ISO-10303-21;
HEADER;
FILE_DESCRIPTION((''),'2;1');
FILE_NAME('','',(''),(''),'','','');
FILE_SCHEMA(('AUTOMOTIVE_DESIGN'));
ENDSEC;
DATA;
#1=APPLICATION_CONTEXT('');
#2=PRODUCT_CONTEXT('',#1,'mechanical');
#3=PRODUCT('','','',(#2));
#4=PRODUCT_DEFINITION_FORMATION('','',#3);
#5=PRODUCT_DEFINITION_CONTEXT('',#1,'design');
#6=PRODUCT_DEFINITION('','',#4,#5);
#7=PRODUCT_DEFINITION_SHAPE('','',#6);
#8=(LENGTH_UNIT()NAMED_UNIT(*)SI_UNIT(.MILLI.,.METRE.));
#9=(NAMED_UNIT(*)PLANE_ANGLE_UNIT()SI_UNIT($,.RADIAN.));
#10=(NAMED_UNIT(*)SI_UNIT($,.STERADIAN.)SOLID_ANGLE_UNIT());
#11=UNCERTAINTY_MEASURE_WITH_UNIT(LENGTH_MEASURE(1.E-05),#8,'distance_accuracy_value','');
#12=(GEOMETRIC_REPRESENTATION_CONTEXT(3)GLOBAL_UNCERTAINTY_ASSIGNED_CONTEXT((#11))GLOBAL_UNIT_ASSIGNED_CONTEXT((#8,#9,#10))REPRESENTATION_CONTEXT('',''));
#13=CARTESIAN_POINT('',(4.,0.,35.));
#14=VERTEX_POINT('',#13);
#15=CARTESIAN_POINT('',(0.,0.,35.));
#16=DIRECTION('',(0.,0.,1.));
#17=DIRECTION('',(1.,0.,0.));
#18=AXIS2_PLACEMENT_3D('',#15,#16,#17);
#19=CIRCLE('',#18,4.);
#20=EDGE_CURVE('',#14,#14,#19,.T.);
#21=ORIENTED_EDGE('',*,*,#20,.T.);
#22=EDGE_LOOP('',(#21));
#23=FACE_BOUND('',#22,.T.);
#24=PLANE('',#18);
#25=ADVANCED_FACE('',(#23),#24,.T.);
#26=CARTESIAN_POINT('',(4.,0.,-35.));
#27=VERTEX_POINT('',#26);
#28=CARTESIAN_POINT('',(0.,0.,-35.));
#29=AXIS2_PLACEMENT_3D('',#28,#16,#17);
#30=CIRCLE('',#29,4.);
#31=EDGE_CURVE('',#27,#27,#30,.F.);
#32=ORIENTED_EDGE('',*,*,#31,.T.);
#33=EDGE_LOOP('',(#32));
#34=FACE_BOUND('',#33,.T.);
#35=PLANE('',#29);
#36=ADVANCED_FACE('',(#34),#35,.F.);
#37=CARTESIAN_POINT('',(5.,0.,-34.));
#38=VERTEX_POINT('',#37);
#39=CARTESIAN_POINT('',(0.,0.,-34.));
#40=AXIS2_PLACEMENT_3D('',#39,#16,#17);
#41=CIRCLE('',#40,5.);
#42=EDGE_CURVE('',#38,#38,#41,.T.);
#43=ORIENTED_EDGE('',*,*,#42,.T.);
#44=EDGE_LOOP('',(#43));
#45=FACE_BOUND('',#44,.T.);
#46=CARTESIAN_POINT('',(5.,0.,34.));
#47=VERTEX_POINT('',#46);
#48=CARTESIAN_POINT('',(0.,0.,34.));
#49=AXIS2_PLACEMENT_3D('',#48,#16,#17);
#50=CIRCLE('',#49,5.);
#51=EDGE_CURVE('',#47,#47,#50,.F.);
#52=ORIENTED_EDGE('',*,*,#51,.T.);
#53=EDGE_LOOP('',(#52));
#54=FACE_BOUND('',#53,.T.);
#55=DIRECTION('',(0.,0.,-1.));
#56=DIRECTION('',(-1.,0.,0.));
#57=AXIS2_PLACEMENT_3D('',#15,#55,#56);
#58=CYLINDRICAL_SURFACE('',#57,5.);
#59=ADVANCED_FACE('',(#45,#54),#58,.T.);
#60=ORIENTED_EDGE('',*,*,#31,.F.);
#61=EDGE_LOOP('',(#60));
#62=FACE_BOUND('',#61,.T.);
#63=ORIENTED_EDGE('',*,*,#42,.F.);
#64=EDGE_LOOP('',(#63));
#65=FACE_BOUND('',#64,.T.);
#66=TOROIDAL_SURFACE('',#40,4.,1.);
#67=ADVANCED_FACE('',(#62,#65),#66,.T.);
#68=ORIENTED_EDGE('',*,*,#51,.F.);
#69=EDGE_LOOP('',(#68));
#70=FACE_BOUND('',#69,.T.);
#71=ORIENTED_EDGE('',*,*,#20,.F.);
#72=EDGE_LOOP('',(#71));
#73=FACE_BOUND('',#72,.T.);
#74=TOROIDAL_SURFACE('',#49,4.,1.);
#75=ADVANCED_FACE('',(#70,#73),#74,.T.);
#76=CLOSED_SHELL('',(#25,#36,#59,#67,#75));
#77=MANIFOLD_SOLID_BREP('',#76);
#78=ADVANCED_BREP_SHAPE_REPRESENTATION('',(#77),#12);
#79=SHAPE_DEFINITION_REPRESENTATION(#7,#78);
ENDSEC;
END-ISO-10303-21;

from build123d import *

# Parameters (mm, degrees)
SKETCH1_R           = 5
BOSS_EXTRUDE1_DEPTH = 35
FILLET1_R           = 1


with BuildPart() as part:
    # Sketch1 → Boss-Extrude1 (new body, symmetric)
    with BuildSketch(Plane.XY):
        Circle(SKETCH1_R)
    extrude(amount=BOSS_EXTRUDE1_DEPTH, both=True)

    # Fillet1
    fillet1_edges = [part.edges().sort_by_distance(p)[0] for p in [
        (-5, 0, -35),
        (-5, 0, 35),
    ]]
    fillet(fillet1_edges, radius=FILLET1_R)


solid = part.part
